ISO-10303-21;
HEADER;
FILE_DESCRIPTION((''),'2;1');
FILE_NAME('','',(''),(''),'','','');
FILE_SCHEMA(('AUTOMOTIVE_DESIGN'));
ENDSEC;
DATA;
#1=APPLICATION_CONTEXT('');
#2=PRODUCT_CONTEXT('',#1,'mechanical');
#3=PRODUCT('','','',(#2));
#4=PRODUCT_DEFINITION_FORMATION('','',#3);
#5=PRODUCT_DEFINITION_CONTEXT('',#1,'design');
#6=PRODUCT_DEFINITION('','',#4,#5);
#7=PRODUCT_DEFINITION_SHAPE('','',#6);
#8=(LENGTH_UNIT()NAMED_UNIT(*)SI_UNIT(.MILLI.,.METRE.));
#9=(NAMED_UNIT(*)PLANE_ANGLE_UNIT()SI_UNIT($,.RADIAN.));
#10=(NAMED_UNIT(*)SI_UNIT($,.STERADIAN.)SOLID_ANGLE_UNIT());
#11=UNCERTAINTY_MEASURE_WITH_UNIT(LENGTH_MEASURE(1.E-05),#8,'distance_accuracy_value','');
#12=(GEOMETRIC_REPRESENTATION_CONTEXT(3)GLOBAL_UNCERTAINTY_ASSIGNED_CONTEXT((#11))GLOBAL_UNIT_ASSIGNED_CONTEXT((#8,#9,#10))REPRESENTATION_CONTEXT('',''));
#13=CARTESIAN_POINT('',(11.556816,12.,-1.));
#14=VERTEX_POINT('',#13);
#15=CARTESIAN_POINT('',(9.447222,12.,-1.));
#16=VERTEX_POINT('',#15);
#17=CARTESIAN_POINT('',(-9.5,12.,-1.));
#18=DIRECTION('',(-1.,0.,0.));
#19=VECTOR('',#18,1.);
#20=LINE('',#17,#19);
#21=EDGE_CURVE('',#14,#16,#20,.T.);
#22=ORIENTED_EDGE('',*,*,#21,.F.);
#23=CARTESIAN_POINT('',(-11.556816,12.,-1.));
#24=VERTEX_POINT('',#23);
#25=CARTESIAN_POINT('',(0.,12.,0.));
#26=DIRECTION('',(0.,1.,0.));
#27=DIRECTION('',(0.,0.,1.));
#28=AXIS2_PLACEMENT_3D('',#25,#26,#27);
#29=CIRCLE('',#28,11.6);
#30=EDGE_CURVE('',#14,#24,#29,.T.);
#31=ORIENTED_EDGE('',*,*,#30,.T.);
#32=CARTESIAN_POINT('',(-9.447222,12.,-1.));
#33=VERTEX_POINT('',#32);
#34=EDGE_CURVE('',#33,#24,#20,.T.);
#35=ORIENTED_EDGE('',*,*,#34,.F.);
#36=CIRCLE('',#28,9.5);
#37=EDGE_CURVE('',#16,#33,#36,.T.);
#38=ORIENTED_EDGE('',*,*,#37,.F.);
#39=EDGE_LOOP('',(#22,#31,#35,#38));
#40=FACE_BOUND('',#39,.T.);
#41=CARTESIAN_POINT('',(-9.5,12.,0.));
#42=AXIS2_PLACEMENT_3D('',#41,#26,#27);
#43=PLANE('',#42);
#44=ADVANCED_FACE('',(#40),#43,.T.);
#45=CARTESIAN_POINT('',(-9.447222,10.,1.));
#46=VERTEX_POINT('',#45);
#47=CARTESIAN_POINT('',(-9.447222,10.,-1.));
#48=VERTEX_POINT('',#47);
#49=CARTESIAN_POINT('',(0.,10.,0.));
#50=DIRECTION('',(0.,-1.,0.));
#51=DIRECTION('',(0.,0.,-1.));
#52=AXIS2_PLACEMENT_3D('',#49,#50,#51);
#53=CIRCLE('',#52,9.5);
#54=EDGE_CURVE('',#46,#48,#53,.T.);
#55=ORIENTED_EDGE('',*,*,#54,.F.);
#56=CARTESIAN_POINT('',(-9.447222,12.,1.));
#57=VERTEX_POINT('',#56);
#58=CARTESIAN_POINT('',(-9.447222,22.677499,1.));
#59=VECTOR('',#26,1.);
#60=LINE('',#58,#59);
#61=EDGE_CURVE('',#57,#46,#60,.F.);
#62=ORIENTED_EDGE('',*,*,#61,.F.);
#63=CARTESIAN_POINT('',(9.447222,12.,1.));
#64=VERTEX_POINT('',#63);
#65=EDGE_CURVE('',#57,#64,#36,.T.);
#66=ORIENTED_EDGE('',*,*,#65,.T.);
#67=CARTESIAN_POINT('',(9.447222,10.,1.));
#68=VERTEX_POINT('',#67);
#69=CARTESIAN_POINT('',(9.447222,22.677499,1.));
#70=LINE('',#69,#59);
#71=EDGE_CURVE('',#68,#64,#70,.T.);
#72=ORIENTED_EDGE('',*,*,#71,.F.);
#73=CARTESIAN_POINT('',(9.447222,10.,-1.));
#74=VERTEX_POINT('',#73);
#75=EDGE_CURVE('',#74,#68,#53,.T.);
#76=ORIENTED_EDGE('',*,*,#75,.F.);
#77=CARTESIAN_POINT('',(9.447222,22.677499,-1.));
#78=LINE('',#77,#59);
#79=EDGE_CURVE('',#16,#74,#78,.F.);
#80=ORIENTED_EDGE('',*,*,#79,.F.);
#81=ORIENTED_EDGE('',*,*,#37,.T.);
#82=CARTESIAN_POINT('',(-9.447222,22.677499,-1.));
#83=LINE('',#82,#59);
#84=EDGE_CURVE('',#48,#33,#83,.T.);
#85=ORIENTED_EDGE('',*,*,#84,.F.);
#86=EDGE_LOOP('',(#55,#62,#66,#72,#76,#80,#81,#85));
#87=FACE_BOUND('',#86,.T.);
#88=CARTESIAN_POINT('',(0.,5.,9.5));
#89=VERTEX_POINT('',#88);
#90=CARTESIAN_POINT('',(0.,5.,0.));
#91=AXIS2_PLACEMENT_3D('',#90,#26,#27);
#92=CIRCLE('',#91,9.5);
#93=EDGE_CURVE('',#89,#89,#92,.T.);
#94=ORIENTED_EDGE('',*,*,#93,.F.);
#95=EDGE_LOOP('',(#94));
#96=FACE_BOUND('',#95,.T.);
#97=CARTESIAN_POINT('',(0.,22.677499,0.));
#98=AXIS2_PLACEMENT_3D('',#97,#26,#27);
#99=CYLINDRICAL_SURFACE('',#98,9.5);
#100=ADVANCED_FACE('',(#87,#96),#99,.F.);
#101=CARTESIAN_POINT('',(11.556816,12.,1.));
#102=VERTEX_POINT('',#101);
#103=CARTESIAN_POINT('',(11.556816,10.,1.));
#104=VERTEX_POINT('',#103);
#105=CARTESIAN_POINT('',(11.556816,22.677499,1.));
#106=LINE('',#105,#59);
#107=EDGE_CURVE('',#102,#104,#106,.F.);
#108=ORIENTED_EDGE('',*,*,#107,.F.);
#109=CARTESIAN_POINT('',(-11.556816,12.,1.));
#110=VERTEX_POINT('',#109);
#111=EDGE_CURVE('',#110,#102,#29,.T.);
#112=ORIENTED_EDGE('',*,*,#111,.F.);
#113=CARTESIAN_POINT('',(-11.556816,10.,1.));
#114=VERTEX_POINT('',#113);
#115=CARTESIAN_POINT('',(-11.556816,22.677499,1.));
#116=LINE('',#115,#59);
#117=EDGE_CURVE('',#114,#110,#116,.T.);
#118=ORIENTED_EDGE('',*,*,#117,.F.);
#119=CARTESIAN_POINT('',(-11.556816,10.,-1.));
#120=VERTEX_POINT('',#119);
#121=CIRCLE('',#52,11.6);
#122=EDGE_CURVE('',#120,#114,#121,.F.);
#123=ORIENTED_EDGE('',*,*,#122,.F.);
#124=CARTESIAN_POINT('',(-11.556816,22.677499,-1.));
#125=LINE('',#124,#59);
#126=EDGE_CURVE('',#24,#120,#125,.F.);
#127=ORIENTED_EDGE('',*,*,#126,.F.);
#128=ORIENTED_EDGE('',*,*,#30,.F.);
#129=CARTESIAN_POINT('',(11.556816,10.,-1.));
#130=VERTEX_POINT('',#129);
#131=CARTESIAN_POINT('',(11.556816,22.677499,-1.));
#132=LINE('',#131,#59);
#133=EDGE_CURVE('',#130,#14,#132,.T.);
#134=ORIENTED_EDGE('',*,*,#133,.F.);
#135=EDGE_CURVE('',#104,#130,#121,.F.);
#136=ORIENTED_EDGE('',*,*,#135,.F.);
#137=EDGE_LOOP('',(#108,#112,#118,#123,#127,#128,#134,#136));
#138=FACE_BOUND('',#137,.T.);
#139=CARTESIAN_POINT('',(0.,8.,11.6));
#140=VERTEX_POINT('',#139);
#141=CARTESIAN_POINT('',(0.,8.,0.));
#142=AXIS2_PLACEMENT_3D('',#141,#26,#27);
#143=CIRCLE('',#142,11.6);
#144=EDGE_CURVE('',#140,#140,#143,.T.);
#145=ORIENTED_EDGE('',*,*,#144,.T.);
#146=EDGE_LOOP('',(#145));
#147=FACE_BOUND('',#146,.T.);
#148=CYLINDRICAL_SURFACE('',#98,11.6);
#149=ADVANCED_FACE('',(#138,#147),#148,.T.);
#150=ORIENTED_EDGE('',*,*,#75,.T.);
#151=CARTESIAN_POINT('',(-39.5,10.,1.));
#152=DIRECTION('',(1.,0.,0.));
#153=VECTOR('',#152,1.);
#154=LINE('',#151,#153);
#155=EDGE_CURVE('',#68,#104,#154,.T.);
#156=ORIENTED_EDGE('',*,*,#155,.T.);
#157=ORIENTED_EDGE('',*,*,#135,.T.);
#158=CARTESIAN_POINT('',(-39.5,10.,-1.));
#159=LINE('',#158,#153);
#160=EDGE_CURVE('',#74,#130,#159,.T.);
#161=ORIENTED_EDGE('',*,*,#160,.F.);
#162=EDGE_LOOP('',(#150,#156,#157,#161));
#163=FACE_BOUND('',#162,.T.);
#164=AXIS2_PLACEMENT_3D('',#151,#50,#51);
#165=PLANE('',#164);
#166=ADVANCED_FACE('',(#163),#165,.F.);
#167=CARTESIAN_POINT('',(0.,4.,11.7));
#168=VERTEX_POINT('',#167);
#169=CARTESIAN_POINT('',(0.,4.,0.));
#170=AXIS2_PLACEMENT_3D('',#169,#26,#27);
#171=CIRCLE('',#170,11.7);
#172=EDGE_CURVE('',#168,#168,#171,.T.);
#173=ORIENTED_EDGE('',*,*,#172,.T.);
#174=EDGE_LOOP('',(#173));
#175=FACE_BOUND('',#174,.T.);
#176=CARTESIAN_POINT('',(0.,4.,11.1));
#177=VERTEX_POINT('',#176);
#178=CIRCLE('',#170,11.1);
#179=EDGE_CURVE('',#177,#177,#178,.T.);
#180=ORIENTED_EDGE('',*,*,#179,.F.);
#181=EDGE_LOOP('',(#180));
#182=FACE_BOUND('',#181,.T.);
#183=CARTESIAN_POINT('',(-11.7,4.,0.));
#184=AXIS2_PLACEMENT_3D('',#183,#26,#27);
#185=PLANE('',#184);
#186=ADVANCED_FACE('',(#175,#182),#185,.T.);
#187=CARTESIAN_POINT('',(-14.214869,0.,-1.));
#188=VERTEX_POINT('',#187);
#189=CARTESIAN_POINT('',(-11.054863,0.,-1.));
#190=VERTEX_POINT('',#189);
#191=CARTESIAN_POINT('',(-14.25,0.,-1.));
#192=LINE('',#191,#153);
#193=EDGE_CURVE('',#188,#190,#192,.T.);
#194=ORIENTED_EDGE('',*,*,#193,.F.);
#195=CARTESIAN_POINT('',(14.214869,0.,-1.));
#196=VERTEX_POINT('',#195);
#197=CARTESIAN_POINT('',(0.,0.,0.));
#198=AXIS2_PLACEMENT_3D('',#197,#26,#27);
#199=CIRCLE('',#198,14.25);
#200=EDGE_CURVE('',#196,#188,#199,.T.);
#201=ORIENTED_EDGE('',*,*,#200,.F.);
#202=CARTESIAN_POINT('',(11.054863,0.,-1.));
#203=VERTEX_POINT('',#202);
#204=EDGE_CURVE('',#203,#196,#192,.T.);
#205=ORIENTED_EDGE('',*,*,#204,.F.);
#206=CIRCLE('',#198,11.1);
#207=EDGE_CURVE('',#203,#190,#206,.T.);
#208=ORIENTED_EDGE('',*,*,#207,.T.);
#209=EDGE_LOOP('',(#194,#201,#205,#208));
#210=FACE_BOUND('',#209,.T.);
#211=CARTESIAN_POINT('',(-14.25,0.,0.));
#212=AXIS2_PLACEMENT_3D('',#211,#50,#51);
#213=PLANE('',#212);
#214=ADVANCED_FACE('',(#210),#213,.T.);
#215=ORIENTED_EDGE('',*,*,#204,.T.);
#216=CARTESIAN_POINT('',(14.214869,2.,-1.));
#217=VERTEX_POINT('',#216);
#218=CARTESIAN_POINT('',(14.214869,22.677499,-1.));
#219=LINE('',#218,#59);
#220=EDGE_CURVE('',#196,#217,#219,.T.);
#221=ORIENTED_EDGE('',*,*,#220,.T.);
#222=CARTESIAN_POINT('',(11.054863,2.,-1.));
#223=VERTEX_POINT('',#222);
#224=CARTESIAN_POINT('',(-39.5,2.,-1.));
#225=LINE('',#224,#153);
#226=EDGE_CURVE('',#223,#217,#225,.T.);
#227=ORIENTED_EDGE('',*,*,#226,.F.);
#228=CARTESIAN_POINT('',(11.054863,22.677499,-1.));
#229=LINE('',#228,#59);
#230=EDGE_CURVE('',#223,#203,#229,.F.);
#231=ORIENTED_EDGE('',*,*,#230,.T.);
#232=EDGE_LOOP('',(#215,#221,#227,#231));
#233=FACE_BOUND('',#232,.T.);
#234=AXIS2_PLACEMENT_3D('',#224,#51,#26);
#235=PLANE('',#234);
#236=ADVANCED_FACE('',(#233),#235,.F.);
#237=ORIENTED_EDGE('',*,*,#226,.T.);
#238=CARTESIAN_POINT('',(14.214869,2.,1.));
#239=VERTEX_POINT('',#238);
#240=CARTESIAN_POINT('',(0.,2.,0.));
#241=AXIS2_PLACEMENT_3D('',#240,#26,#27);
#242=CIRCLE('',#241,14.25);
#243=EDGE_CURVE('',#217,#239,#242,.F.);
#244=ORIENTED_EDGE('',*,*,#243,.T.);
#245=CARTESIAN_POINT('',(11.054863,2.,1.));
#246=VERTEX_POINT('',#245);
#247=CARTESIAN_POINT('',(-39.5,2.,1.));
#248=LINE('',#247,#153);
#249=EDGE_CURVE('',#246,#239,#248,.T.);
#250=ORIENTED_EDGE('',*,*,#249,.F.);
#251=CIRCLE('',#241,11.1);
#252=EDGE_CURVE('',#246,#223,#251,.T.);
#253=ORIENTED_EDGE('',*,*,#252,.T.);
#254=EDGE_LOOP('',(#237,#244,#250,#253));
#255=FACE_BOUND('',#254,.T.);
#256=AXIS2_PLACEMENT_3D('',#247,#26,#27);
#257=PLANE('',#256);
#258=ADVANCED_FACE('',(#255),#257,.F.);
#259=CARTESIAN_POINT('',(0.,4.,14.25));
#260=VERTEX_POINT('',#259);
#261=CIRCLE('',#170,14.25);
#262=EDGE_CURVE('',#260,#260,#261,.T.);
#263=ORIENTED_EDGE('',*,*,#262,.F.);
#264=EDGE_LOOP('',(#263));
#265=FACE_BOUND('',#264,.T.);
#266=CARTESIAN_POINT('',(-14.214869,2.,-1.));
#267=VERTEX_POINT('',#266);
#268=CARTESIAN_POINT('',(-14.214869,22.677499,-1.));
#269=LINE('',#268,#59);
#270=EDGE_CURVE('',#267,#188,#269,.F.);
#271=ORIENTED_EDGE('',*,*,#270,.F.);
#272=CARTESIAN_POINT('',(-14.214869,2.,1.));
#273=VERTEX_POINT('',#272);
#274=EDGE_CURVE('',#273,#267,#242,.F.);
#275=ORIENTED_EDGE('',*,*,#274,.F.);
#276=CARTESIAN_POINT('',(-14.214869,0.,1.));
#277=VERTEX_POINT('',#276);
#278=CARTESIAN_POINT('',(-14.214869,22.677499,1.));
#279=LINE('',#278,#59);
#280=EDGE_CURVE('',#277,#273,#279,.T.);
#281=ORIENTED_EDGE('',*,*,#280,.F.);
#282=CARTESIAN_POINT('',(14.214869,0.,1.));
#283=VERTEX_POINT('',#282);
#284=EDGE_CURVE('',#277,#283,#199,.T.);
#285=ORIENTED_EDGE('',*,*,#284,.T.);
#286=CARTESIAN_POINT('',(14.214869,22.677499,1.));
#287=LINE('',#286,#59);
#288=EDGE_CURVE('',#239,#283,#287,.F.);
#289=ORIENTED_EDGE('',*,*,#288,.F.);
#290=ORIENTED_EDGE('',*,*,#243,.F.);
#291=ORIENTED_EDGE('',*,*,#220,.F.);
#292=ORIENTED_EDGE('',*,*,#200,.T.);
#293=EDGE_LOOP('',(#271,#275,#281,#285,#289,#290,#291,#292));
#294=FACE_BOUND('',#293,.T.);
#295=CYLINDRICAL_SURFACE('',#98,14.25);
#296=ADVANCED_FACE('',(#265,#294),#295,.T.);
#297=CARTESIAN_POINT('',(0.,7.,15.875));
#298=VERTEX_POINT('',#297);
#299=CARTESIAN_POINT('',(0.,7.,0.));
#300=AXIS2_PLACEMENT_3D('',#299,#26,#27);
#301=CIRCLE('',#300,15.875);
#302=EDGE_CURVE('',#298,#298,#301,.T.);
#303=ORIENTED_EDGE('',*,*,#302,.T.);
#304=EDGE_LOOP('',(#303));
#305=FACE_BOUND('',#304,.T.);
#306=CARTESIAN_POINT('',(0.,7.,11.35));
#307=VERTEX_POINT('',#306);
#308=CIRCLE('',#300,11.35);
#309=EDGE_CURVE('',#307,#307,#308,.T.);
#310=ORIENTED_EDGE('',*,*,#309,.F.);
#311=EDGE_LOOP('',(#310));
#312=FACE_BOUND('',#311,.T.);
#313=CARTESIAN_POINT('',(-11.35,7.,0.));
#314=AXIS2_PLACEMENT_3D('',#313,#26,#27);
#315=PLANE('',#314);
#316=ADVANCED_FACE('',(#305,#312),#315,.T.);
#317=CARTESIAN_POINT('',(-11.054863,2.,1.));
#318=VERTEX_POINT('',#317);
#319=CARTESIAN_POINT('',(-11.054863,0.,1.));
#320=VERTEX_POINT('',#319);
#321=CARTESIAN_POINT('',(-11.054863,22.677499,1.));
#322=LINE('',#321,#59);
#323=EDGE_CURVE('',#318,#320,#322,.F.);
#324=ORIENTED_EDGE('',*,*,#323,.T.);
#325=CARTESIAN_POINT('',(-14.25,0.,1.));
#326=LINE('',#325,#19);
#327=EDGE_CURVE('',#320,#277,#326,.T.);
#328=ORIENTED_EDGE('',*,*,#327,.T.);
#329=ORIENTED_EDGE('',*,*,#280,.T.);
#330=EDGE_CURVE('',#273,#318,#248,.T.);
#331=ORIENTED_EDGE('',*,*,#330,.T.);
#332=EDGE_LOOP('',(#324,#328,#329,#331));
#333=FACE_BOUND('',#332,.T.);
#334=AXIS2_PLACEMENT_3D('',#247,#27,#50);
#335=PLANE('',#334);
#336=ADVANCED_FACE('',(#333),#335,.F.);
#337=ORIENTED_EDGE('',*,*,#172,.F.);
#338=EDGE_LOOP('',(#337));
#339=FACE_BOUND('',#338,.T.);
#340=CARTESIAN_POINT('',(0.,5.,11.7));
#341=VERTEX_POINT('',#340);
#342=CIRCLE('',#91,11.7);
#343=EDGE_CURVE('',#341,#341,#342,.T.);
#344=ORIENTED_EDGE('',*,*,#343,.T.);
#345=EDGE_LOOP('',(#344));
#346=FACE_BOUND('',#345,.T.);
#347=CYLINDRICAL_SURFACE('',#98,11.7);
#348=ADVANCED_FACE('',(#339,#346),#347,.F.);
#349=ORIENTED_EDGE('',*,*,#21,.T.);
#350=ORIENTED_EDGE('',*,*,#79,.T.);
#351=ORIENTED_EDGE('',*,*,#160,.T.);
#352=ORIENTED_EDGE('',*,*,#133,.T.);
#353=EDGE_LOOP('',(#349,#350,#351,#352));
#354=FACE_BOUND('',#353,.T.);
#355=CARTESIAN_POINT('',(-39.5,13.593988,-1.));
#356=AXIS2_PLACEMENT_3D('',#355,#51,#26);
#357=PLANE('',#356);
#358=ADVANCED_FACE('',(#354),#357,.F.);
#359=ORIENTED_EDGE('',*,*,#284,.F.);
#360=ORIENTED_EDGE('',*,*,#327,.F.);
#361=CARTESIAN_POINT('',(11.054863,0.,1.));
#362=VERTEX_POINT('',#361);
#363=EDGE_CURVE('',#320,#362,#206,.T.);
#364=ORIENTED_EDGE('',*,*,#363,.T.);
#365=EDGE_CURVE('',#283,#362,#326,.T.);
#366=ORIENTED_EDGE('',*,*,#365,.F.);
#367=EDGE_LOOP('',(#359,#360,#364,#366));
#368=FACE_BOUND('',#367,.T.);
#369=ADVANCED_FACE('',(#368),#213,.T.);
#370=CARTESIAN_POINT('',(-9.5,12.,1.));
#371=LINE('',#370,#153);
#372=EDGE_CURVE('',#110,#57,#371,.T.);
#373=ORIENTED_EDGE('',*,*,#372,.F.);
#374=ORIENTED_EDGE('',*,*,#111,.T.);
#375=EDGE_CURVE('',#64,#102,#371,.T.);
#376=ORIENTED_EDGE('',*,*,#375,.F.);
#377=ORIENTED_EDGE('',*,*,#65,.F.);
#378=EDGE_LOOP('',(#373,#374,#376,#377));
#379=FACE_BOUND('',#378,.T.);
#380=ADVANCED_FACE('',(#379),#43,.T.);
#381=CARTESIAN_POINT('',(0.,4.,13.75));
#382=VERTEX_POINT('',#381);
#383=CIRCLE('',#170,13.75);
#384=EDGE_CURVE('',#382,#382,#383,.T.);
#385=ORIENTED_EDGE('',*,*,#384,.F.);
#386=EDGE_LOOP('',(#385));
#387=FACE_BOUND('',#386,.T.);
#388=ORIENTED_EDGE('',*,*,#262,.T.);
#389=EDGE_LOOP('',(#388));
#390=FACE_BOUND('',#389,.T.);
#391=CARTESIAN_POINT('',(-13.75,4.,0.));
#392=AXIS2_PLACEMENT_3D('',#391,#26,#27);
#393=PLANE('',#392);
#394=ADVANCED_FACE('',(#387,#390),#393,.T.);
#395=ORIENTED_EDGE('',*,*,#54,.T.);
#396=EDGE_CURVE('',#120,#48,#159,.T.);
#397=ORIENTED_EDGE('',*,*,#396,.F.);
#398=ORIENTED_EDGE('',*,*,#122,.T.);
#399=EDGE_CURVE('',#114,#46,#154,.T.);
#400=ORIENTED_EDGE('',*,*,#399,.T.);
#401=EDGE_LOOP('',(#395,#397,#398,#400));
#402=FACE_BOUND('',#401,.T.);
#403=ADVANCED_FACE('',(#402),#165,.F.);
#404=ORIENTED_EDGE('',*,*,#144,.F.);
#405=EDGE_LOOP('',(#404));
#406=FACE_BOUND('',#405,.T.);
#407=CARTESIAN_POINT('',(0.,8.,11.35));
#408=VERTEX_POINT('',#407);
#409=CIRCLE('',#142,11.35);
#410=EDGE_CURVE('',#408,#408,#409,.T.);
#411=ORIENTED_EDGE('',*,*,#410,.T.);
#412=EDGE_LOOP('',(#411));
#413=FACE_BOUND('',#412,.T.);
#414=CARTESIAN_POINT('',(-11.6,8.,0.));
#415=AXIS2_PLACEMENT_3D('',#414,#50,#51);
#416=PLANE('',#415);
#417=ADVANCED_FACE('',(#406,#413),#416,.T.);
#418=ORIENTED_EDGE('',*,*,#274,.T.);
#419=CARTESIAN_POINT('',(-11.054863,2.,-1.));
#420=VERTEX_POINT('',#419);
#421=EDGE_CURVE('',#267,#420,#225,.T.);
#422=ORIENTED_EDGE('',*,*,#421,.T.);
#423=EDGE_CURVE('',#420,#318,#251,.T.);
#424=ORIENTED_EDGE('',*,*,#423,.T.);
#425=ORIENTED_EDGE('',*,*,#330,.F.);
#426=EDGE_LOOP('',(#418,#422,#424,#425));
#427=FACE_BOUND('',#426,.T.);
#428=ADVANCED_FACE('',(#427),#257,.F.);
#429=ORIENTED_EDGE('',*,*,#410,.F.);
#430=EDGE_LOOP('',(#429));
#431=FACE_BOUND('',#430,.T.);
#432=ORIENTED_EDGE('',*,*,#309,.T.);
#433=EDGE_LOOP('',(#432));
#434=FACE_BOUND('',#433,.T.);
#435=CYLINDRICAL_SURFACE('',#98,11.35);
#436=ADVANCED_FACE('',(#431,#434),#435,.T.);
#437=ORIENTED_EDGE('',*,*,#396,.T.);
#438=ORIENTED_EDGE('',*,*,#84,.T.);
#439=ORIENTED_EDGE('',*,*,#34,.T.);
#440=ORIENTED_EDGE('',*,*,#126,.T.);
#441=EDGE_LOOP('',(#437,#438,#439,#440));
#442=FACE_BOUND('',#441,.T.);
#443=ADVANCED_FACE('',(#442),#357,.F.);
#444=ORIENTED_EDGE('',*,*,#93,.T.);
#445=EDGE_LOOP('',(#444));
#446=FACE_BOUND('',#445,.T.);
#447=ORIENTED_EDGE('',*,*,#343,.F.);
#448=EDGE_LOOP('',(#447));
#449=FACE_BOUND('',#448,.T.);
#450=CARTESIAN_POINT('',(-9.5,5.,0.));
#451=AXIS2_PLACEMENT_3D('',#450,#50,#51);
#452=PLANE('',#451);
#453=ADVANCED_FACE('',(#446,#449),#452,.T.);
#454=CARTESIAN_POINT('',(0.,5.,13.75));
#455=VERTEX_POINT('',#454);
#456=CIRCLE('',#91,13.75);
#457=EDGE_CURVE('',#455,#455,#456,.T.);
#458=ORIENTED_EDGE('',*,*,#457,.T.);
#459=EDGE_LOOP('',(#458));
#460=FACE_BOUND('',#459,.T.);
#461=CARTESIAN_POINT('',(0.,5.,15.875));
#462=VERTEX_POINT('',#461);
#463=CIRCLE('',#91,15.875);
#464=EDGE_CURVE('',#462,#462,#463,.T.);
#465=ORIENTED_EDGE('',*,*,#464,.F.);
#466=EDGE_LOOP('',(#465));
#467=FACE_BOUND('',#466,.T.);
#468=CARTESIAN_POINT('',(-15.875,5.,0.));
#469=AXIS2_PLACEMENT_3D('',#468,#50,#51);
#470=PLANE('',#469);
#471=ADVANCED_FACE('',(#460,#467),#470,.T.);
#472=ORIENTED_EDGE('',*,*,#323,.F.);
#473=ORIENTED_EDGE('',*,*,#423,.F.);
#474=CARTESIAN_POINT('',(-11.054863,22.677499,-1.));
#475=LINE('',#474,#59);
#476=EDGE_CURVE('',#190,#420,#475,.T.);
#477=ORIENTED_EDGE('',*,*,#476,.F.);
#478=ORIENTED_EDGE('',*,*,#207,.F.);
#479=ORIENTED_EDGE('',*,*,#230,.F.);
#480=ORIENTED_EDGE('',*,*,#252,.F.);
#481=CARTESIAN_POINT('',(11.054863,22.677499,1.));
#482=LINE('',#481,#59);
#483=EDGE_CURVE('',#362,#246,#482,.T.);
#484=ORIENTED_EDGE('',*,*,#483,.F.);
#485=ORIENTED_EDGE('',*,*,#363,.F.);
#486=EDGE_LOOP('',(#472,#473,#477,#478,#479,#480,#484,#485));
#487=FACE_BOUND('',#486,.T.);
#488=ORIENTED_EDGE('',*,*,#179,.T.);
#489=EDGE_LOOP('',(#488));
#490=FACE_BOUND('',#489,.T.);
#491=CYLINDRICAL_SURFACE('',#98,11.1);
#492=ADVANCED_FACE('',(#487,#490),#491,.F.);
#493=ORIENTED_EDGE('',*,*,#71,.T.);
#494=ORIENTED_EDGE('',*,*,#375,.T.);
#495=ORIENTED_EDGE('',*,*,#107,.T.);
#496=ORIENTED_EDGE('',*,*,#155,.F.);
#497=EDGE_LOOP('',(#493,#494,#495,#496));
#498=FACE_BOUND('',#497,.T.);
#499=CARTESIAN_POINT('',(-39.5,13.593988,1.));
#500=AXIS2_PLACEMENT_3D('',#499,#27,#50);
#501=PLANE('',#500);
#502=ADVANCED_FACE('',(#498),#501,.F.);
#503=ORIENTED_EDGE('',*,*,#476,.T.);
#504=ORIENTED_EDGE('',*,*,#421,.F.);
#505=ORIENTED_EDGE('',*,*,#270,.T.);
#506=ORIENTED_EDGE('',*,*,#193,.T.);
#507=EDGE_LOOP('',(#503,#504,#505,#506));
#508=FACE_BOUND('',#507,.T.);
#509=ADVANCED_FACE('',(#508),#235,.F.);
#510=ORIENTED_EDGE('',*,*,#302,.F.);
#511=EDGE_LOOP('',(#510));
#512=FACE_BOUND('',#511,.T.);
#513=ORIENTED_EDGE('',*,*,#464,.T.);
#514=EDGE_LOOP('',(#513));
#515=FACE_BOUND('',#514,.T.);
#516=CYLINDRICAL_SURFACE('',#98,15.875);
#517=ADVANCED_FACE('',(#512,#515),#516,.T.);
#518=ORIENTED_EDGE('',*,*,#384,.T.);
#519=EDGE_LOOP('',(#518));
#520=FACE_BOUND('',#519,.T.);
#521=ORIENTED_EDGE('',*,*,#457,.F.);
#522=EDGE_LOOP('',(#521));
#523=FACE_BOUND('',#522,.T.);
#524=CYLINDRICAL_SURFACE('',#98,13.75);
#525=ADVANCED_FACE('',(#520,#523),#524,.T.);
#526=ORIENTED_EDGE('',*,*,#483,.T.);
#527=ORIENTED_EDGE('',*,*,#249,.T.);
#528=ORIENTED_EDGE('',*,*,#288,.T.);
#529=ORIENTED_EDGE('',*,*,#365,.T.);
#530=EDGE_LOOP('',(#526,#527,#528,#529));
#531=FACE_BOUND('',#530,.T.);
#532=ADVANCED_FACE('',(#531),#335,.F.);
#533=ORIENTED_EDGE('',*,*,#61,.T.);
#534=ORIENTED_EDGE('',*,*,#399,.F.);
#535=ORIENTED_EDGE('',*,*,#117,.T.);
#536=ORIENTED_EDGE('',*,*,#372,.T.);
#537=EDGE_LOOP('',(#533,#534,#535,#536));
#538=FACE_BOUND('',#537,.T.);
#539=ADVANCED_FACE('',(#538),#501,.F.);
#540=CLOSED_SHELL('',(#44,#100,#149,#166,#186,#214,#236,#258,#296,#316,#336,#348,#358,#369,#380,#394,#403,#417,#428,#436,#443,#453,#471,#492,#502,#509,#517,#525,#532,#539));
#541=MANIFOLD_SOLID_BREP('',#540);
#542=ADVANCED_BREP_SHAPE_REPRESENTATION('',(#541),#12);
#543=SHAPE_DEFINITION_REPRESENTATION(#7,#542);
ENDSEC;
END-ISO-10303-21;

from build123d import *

# Parameters (mm, degrees)
SKETCH_2_W          = 2
SKETCH_2_H          = 3.593987872
SKETCH_2_H_2        = 6.667892238
CUT_EXTRUDE_1_DEPTH = 39.5


with BuildPart() as part:
    # 草图1 → 旋转1 (revolve)
    with BuildSketch(Plane.XY, mode=Mode.PRIVATE) as revolve_1_sk:
        Polygon((-9.5, 12), (-11.6, 12), (-11.6, 8), (-11.35, 8), (-11.35, 7), (-15.875, 7), (-15.875, 5), (-13.75, 5), (-13.75, 4), (-14.25, 4), (-14.25, 0), (-11.1, 0), (-11.1, 4), (-11.7, 4), (-11.7, 5), (-9.5, 5), align=None)
    revolve(revolve_1_sk.sketch.rotate(Axis((0, 22.677499451, 0), (0, -1, 0)), 270), axis=Axis((0, 22.677499451, 0), (0, -1, 0)))  # turned: the seam where the file's is

    # 草图2 → 切除-拉伸1 (cut, symmetric)
    with BuildSketch(Plane(origin=(0, 0, 0), x_dir=(0, 0, -1), z_dir=(1, 0, 0))):
        with Locations((0, 11.796993936)):
            Rectangle(SKETCH_2_W, SKETCH_2_H)
        with Locations((0, -1.333946119)):
            Rectangle(SKETCH_2_W, SKETCH_2_H_2)
    extrude(amount=CUT_EXTRUDE_1_DEPTH, both=True, mode=Mode.SUBTRACT)


solid = part.part
